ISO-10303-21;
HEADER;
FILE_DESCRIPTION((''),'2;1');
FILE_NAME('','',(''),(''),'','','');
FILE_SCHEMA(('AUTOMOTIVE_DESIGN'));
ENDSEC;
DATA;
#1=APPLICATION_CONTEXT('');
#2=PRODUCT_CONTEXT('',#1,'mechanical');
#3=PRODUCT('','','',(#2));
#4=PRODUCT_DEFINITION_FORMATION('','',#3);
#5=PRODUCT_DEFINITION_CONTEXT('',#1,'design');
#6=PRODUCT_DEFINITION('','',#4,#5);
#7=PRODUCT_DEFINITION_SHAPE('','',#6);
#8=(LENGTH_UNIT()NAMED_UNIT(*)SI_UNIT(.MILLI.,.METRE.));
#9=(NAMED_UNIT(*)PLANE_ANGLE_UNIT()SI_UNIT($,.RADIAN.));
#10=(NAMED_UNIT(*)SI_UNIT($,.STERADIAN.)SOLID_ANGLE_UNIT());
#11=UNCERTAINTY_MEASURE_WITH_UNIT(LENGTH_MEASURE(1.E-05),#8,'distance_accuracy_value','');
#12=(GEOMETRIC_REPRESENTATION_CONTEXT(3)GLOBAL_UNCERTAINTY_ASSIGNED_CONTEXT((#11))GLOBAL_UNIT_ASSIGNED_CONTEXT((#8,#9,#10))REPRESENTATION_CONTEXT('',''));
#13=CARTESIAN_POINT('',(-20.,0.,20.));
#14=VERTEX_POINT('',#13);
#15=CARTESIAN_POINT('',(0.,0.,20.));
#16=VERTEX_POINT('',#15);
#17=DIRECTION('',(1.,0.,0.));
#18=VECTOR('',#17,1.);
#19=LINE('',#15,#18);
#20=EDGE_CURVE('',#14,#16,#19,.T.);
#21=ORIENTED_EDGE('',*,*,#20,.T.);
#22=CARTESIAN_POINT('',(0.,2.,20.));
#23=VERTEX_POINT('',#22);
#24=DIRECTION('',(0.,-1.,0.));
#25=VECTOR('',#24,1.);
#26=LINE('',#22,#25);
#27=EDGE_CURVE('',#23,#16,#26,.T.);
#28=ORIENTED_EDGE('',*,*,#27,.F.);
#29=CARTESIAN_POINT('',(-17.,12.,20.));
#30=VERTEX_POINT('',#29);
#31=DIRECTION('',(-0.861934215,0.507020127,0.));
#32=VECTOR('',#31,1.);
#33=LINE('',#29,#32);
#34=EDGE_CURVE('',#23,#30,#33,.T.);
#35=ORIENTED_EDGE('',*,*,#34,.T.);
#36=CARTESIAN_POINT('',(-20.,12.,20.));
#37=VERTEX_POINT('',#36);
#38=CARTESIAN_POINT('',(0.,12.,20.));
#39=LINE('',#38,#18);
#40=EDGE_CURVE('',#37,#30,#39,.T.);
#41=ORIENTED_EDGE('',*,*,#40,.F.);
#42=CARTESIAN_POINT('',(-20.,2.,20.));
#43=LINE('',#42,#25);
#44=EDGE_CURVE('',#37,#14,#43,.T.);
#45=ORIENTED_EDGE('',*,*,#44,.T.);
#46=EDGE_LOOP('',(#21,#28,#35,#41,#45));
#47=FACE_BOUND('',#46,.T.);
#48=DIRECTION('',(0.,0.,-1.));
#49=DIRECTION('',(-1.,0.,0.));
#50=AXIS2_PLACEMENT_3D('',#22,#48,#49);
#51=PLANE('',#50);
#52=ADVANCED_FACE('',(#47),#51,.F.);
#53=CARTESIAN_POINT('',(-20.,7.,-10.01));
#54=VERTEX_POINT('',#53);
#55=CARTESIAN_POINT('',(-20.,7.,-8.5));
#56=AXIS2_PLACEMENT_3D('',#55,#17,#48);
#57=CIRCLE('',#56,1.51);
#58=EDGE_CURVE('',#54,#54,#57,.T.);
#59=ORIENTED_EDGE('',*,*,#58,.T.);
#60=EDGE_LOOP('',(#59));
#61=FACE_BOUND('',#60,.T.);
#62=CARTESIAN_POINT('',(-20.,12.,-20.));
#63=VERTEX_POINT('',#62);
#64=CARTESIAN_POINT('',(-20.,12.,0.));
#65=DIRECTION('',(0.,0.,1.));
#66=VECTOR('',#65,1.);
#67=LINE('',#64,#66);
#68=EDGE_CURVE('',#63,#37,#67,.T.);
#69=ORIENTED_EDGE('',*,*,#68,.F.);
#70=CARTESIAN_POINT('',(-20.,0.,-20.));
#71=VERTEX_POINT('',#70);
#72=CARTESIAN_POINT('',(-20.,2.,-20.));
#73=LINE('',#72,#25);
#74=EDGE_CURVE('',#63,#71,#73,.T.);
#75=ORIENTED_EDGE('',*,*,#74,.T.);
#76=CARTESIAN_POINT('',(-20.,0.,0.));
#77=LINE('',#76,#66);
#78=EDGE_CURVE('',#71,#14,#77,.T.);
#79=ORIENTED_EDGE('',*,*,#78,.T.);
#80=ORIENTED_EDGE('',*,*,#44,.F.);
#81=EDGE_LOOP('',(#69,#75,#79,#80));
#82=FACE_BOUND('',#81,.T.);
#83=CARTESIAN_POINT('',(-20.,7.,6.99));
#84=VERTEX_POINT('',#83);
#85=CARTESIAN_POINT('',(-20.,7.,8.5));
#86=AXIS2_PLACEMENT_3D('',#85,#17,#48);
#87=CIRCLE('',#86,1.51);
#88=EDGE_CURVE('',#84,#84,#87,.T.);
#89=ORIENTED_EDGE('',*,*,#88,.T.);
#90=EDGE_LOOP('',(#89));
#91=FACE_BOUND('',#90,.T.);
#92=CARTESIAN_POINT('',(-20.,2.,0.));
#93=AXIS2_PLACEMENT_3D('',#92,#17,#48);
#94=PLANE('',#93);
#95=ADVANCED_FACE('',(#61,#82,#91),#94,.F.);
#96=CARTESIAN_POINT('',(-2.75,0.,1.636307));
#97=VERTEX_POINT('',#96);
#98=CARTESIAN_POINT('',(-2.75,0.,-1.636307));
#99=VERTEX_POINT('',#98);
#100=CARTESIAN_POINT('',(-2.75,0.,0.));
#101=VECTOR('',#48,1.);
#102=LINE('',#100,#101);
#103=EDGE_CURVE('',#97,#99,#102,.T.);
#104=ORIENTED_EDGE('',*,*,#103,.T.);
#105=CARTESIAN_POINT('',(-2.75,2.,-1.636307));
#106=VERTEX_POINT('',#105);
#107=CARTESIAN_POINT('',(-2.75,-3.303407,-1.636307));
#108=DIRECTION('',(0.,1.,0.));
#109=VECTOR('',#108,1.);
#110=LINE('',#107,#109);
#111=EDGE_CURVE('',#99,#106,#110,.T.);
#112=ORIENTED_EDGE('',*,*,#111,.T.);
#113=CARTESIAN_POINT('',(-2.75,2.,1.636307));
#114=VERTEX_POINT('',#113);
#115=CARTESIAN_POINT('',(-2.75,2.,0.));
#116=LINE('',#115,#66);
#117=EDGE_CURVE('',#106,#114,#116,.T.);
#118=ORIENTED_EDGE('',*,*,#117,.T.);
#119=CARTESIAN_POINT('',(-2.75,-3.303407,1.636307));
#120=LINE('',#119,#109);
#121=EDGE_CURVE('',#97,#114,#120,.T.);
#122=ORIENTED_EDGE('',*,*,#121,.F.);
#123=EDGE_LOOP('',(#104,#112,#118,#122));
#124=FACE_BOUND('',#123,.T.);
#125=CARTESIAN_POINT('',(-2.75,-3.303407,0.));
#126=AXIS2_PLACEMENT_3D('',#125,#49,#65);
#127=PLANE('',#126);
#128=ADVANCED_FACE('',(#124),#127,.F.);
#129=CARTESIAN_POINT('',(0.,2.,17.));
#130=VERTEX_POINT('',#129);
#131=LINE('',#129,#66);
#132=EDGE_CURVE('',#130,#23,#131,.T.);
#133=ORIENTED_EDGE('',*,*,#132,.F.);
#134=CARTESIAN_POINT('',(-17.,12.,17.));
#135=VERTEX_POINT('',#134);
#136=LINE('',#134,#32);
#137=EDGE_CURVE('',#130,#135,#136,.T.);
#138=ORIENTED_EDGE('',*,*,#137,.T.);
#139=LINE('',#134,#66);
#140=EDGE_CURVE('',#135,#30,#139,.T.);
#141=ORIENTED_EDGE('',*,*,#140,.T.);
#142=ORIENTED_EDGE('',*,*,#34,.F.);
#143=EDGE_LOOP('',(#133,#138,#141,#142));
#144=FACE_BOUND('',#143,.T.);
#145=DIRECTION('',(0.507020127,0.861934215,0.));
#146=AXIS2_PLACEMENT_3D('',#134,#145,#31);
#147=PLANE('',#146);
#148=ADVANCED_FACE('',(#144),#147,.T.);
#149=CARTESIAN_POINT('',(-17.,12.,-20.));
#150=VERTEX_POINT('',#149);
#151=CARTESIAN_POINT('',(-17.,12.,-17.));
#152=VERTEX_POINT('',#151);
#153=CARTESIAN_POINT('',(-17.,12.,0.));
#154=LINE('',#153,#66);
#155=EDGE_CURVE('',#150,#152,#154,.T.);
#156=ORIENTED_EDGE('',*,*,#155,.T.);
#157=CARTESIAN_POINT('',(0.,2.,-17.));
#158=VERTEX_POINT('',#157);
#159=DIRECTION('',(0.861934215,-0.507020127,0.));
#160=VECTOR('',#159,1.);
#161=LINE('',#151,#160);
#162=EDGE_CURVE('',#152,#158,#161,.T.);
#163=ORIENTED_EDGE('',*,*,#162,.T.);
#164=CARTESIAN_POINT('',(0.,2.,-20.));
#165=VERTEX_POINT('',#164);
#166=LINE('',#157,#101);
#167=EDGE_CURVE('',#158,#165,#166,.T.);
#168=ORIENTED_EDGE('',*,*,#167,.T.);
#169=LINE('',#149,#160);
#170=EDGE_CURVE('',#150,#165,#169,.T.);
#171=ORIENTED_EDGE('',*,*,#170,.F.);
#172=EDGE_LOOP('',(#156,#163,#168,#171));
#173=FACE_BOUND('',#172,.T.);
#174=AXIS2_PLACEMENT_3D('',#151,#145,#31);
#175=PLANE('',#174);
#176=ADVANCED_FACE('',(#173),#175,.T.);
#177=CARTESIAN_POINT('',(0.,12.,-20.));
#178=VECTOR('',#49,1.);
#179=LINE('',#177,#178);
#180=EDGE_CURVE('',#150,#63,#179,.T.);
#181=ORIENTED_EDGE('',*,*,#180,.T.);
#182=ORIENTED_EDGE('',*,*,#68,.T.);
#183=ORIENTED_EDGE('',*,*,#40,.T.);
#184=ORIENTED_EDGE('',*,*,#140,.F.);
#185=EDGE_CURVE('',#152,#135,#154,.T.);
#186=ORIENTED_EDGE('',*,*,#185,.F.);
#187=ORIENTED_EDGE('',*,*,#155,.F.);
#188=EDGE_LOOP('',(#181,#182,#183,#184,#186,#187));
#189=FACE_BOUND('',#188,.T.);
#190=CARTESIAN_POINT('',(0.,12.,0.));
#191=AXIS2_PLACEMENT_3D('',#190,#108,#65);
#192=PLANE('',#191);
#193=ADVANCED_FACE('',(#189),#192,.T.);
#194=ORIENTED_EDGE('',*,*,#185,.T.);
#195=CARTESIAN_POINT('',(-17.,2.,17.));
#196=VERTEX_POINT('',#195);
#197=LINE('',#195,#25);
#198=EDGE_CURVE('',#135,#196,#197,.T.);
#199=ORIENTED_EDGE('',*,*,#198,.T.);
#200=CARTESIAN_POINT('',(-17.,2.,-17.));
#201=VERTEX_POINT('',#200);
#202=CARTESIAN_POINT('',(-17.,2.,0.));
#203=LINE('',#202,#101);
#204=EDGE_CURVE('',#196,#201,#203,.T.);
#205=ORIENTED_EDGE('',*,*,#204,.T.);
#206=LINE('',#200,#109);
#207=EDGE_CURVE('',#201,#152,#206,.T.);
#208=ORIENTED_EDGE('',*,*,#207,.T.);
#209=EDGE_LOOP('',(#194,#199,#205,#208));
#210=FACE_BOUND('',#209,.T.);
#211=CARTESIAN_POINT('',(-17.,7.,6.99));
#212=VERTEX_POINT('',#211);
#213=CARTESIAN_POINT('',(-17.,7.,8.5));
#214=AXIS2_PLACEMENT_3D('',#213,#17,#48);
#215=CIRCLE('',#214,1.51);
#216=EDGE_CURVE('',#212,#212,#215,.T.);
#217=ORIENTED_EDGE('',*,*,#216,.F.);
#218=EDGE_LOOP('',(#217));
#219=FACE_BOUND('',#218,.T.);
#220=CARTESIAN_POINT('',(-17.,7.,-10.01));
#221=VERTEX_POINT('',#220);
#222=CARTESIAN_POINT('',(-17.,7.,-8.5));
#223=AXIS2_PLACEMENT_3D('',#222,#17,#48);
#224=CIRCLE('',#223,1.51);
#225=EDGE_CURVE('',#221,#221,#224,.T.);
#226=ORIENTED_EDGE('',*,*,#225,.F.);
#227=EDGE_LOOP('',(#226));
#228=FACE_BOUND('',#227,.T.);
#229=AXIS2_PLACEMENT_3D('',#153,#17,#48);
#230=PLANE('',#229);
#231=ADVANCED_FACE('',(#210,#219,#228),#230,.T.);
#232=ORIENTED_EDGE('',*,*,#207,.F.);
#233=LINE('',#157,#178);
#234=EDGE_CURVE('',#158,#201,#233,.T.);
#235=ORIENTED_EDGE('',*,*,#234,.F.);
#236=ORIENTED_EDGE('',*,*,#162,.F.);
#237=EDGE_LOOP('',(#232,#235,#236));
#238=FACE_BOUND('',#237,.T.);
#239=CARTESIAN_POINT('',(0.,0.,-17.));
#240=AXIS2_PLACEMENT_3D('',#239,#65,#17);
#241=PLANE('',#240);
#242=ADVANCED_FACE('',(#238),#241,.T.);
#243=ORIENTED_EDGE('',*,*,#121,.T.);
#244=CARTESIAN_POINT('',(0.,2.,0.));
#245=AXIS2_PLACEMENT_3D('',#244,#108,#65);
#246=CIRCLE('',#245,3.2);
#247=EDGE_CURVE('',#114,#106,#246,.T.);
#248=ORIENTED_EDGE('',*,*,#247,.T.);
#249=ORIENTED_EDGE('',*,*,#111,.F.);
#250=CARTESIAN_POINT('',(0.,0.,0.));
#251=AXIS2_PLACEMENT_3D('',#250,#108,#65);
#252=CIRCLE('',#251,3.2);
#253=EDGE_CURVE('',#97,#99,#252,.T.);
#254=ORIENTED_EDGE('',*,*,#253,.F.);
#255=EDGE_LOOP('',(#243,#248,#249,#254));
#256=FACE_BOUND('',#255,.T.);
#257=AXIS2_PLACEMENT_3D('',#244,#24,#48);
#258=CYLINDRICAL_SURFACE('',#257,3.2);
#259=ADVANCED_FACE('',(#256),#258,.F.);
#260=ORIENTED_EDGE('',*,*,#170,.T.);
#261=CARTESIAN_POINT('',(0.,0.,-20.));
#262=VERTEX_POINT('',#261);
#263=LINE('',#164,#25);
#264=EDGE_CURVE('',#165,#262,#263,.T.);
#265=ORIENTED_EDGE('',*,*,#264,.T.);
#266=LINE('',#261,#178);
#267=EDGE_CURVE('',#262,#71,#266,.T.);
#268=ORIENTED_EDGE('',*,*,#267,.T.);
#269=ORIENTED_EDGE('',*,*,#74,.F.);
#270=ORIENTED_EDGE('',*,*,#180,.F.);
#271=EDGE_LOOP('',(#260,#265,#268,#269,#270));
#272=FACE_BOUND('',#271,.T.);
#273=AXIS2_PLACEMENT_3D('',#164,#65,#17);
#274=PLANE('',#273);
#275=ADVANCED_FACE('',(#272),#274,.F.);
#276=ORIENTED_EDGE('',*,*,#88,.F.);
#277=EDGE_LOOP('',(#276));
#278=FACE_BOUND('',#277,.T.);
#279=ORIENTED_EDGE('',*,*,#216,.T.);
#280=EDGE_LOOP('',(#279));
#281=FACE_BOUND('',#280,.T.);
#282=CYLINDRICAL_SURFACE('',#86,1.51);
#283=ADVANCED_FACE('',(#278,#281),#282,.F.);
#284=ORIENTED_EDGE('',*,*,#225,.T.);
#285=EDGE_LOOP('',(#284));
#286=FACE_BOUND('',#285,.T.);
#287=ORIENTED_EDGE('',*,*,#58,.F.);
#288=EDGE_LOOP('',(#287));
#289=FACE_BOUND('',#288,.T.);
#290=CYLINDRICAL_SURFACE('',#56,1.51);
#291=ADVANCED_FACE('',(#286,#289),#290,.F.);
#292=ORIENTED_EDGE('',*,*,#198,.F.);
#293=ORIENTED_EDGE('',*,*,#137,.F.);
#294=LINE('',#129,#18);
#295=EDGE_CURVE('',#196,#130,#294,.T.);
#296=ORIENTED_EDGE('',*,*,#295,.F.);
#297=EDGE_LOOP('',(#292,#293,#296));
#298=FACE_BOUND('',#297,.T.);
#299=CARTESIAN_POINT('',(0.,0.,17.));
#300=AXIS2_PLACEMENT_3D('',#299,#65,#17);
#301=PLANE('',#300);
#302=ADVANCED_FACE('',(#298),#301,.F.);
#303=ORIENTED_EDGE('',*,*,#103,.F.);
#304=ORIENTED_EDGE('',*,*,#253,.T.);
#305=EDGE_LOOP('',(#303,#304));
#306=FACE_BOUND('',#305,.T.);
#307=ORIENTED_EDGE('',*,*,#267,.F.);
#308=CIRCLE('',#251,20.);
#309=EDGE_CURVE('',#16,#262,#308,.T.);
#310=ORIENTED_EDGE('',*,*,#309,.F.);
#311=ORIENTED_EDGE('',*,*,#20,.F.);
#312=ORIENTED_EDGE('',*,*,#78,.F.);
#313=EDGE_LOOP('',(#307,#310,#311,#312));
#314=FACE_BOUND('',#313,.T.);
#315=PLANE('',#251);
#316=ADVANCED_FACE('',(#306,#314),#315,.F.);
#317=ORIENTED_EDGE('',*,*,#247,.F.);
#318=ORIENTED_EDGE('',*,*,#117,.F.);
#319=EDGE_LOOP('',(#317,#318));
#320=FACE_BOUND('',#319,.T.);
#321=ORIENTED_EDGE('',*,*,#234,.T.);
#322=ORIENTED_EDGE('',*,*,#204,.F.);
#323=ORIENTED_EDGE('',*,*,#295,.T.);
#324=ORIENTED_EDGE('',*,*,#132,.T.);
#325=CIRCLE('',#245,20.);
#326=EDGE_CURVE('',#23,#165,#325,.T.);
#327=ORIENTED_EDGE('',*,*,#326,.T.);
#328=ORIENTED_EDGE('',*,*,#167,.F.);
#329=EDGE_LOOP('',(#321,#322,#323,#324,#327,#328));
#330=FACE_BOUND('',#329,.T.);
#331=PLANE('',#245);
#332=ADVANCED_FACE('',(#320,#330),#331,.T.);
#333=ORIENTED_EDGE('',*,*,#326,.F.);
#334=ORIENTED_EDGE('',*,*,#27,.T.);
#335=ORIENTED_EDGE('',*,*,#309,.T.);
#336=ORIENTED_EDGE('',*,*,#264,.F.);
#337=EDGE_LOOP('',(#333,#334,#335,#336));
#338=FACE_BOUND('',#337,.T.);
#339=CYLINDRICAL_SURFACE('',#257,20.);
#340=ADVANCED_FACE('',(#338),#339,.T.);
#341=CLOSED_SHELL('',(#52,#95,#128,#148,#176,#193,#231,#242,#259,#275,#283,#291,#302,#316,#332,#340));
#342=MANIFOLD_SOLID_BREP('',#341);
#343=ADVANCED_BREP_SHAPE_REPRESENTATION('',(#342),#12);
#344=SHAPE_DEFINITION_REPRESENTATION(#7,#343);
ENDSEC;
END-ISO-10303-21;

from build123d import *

# Parameters (mm, degrees)
BOSS_EXTRUDE1_DEPTH = 2
BOSS_EXTRUDE2_DEPTH = 12
BOSS_EXTRUDE3_DEPTH = 3
BOSS_EXTRUDE4_DEPTH = 3
BOSS_EXTRUDE5_START = -2
BOSS_EXTRUDE5_DEPTH = 2
CUT_EXTRUDE1_DEPTH  = 3


with BuildPart() as part:
    # Sketch1 → Boss-Extrude1 (new body)
    with BuildSketch(Plane(origin=(0, 0, 0), x_dir=(1, 0, 0), z_dir=(0, 1, 0))):
        with BuildLine():
            ThreePointArc((0, -3.2), (-3.2, 0), (0, 3.2))
            Line((0, 3.2), (0, 20))
            ThreePointArc((0, 20), (-9.728487163, 17.474453855), (-17, 10.535653753))
            Line((-17, 10.535653753), (-17, -10.535653753))
            ThreePointArc((-17, -10.535653753), (-9.728487163, -17.474453855), (0, -20))
            Line((0, -20), (0, -3.2))
        make_face()
        with BuildLine():
            Line((0, 20), (0, 3.2))
            ThreePointArc((0, 3.2), (2.2627417, 2.2627417), (3.2, 0))
            ThreePointArc((3.2, 0), (2.2627417, -2.2627417), (0, -3.2))
            Line((0, -3.2), (0, -20))
            ThreePointArc((0, -20), (14.142135624, -14.142135624), (20, 0))
            ThreePointArc((20, 0), (14.142135624, 14.142135624), (0, 20))
        make_face()
        with BuildLine():
            Line((-17, -20), (0, -20))
            ThreePointArc((0, -20), (-9.728487163, -17.474453855), (-17, -10.535653753))
            Line((-17, -10.535653753), (-17, -20))
        make_face()
        with BuildLine():
            Line((-20, -20), (-17, -20))
            Line((-17, -20), (-17, -10.535653753))
            ThreePointArc((-17, -10.535653753), (-19.235384062, -5.477225575), (-20, 0))
            Line((-20, 0), (-20, -20))
        make_face()
        with BuildLine():
            Line((-17, -10.535653753), (-17, 10.535653753))
            ThreePointArc((-17, 10.535653753), (-19.235384062, 5.477225575), (-20, 0))
            ThreePointArc((-20, 0), (-19.235384062, -5.477225575), (-17, -10.535653753))
        make_face()
        with BuildLine():
            Line((-17, 10.535653753), (-17, 20))
            Line((-17, 20), (-20, 20))
            Line((-20, 20), (-20, 0))
            ThreePointArc((-20, 0), (-19.235384062, 5.477225575), (-17, 10.535653753))
        make_face()
        with BuildLine():
            ThreePointArc((-17, 10.535653753), (-9.728487163, 17.474453855), (0, 20))
            Line((0, 20), (-17, 20))
            Line((-17, 20), (-17, 10.535653753))
        make_face()
    extrude(amount=BOSS_EXTRUDE1_DEPTH)

    # Sketch1<4> → Boss-Extrude2 (add)
    with BuildSketch(Plane(origin=(0, 0, 0), x_dir=(1, 0, 0), z_dir=(0, 1, 0))):
        with BuildLine():
            Line((-17, 10.535653753), (-17, 20))
            Line((-17, 20), (-20, 20))
            Line((-20, 20), (-20, 0))
            ThreePointArc((-20, 0), (-19.235384062, 5.477225575), (-17, 10.535653753))
        make_face()
        with BuildLine():
            Line((-17, -10.535653753), (-17, 10.535653753))
            ThreePointArc((-17, 10.535653753), (-19.235384062, 5.477225575), (-20, 0))
            ThreePointArc((-20, 0), (-19.235384062, -5.477225575), (-17, -10.535653753))
        make_face()
        with BuildLine():
            Line((-20, -20), (-17, -20))
            Line((-17, -20), (-17, -10.535653753))
            ThreePointArc((-17, -10.535653753), (-19.235384062, -5.477225575), (-20, 0))
            Line((-20, 0), (-20, -20))
        make_face()
    extrude(amount=BOSS_EXTRUDE2_DEPTH)

    # Sketch2 → Boss-Extrude3 (add)
    with BuildSketch(Plane.XY.offset(20)):
        Polygon((-17, 12), (0, 2), (-17, 2), align=None)
    extrude(amount=-BOSS_EXTRUDE3_DEPTH)

    # Sketch3 → Boss-Extrude4 (add)
    with BuildSketch(Plane(origin=(0, 0, -20), x_dir=(-1, 0, 0), z_dir=(0, 0, -1))):
        Polygon((17, 12), (0, 2), (17, 2), align=None)
    extrude(amount=-BOSS_EXTRUDE4_DEPTH)

    # Sketch4 → Boss-Extrude5 (add)
    with BuildSketch(Plane(origin=(0, 2, 0), x_dir=(1, 0, 0), z_dir=(0, 1, 0)).offset(BOSS_EXTRUDE5_START)):
        with BuildLine():
            Line((-2.75, -1.636306817), (-2.75, 0))
            Line((-2.75, 0), (-2.75, 1.636306817))
            ThreePointArc((-2.75, 1.636306817), (-3.2, 0), (-2.75, -1.636306817))
        make_face()
    extrude(amount=BOSS_EXTRUDE5_DEPTH)

    # Sketch5 → Cut-Extrude1 (cut)
    with BuildSketch(Plane(origin=(-17, 0, 0), x_dir=(0, 0, -1), z_dir=(1, 0, 0))):
        with BuildLine():
            ThreePointArc((-10.01, 7), (-8.5, 5.49), (-6.99, 7))
            Line((-6.99, 7), (-10.01, 7))
        make_face()
        with BuildLine():
            Line((-10.01, 7), (-6.99, 7))
            ThreePointArc((-6.99, 7), (-8.5, 8.51), (-10.01, 7))
        make_face()
        with BuildLine():
            ThreePointArc((10.01, 7), (8.5, 8.51), (6.99, 7))
            Line((6.99, 7), (10.01, 7))
        make_face()
        with BuildLine():
            Line((10.01, 7), (6.99, 7))
            ThreePointArc((6.99, 7), (8.5, 5.49), (10.01, 7))
        make_face()
    extrude(amount=-CUT_EXTRUDE1_DEPTH, mode=Mode.SUBTRACT)


solid = part.part
